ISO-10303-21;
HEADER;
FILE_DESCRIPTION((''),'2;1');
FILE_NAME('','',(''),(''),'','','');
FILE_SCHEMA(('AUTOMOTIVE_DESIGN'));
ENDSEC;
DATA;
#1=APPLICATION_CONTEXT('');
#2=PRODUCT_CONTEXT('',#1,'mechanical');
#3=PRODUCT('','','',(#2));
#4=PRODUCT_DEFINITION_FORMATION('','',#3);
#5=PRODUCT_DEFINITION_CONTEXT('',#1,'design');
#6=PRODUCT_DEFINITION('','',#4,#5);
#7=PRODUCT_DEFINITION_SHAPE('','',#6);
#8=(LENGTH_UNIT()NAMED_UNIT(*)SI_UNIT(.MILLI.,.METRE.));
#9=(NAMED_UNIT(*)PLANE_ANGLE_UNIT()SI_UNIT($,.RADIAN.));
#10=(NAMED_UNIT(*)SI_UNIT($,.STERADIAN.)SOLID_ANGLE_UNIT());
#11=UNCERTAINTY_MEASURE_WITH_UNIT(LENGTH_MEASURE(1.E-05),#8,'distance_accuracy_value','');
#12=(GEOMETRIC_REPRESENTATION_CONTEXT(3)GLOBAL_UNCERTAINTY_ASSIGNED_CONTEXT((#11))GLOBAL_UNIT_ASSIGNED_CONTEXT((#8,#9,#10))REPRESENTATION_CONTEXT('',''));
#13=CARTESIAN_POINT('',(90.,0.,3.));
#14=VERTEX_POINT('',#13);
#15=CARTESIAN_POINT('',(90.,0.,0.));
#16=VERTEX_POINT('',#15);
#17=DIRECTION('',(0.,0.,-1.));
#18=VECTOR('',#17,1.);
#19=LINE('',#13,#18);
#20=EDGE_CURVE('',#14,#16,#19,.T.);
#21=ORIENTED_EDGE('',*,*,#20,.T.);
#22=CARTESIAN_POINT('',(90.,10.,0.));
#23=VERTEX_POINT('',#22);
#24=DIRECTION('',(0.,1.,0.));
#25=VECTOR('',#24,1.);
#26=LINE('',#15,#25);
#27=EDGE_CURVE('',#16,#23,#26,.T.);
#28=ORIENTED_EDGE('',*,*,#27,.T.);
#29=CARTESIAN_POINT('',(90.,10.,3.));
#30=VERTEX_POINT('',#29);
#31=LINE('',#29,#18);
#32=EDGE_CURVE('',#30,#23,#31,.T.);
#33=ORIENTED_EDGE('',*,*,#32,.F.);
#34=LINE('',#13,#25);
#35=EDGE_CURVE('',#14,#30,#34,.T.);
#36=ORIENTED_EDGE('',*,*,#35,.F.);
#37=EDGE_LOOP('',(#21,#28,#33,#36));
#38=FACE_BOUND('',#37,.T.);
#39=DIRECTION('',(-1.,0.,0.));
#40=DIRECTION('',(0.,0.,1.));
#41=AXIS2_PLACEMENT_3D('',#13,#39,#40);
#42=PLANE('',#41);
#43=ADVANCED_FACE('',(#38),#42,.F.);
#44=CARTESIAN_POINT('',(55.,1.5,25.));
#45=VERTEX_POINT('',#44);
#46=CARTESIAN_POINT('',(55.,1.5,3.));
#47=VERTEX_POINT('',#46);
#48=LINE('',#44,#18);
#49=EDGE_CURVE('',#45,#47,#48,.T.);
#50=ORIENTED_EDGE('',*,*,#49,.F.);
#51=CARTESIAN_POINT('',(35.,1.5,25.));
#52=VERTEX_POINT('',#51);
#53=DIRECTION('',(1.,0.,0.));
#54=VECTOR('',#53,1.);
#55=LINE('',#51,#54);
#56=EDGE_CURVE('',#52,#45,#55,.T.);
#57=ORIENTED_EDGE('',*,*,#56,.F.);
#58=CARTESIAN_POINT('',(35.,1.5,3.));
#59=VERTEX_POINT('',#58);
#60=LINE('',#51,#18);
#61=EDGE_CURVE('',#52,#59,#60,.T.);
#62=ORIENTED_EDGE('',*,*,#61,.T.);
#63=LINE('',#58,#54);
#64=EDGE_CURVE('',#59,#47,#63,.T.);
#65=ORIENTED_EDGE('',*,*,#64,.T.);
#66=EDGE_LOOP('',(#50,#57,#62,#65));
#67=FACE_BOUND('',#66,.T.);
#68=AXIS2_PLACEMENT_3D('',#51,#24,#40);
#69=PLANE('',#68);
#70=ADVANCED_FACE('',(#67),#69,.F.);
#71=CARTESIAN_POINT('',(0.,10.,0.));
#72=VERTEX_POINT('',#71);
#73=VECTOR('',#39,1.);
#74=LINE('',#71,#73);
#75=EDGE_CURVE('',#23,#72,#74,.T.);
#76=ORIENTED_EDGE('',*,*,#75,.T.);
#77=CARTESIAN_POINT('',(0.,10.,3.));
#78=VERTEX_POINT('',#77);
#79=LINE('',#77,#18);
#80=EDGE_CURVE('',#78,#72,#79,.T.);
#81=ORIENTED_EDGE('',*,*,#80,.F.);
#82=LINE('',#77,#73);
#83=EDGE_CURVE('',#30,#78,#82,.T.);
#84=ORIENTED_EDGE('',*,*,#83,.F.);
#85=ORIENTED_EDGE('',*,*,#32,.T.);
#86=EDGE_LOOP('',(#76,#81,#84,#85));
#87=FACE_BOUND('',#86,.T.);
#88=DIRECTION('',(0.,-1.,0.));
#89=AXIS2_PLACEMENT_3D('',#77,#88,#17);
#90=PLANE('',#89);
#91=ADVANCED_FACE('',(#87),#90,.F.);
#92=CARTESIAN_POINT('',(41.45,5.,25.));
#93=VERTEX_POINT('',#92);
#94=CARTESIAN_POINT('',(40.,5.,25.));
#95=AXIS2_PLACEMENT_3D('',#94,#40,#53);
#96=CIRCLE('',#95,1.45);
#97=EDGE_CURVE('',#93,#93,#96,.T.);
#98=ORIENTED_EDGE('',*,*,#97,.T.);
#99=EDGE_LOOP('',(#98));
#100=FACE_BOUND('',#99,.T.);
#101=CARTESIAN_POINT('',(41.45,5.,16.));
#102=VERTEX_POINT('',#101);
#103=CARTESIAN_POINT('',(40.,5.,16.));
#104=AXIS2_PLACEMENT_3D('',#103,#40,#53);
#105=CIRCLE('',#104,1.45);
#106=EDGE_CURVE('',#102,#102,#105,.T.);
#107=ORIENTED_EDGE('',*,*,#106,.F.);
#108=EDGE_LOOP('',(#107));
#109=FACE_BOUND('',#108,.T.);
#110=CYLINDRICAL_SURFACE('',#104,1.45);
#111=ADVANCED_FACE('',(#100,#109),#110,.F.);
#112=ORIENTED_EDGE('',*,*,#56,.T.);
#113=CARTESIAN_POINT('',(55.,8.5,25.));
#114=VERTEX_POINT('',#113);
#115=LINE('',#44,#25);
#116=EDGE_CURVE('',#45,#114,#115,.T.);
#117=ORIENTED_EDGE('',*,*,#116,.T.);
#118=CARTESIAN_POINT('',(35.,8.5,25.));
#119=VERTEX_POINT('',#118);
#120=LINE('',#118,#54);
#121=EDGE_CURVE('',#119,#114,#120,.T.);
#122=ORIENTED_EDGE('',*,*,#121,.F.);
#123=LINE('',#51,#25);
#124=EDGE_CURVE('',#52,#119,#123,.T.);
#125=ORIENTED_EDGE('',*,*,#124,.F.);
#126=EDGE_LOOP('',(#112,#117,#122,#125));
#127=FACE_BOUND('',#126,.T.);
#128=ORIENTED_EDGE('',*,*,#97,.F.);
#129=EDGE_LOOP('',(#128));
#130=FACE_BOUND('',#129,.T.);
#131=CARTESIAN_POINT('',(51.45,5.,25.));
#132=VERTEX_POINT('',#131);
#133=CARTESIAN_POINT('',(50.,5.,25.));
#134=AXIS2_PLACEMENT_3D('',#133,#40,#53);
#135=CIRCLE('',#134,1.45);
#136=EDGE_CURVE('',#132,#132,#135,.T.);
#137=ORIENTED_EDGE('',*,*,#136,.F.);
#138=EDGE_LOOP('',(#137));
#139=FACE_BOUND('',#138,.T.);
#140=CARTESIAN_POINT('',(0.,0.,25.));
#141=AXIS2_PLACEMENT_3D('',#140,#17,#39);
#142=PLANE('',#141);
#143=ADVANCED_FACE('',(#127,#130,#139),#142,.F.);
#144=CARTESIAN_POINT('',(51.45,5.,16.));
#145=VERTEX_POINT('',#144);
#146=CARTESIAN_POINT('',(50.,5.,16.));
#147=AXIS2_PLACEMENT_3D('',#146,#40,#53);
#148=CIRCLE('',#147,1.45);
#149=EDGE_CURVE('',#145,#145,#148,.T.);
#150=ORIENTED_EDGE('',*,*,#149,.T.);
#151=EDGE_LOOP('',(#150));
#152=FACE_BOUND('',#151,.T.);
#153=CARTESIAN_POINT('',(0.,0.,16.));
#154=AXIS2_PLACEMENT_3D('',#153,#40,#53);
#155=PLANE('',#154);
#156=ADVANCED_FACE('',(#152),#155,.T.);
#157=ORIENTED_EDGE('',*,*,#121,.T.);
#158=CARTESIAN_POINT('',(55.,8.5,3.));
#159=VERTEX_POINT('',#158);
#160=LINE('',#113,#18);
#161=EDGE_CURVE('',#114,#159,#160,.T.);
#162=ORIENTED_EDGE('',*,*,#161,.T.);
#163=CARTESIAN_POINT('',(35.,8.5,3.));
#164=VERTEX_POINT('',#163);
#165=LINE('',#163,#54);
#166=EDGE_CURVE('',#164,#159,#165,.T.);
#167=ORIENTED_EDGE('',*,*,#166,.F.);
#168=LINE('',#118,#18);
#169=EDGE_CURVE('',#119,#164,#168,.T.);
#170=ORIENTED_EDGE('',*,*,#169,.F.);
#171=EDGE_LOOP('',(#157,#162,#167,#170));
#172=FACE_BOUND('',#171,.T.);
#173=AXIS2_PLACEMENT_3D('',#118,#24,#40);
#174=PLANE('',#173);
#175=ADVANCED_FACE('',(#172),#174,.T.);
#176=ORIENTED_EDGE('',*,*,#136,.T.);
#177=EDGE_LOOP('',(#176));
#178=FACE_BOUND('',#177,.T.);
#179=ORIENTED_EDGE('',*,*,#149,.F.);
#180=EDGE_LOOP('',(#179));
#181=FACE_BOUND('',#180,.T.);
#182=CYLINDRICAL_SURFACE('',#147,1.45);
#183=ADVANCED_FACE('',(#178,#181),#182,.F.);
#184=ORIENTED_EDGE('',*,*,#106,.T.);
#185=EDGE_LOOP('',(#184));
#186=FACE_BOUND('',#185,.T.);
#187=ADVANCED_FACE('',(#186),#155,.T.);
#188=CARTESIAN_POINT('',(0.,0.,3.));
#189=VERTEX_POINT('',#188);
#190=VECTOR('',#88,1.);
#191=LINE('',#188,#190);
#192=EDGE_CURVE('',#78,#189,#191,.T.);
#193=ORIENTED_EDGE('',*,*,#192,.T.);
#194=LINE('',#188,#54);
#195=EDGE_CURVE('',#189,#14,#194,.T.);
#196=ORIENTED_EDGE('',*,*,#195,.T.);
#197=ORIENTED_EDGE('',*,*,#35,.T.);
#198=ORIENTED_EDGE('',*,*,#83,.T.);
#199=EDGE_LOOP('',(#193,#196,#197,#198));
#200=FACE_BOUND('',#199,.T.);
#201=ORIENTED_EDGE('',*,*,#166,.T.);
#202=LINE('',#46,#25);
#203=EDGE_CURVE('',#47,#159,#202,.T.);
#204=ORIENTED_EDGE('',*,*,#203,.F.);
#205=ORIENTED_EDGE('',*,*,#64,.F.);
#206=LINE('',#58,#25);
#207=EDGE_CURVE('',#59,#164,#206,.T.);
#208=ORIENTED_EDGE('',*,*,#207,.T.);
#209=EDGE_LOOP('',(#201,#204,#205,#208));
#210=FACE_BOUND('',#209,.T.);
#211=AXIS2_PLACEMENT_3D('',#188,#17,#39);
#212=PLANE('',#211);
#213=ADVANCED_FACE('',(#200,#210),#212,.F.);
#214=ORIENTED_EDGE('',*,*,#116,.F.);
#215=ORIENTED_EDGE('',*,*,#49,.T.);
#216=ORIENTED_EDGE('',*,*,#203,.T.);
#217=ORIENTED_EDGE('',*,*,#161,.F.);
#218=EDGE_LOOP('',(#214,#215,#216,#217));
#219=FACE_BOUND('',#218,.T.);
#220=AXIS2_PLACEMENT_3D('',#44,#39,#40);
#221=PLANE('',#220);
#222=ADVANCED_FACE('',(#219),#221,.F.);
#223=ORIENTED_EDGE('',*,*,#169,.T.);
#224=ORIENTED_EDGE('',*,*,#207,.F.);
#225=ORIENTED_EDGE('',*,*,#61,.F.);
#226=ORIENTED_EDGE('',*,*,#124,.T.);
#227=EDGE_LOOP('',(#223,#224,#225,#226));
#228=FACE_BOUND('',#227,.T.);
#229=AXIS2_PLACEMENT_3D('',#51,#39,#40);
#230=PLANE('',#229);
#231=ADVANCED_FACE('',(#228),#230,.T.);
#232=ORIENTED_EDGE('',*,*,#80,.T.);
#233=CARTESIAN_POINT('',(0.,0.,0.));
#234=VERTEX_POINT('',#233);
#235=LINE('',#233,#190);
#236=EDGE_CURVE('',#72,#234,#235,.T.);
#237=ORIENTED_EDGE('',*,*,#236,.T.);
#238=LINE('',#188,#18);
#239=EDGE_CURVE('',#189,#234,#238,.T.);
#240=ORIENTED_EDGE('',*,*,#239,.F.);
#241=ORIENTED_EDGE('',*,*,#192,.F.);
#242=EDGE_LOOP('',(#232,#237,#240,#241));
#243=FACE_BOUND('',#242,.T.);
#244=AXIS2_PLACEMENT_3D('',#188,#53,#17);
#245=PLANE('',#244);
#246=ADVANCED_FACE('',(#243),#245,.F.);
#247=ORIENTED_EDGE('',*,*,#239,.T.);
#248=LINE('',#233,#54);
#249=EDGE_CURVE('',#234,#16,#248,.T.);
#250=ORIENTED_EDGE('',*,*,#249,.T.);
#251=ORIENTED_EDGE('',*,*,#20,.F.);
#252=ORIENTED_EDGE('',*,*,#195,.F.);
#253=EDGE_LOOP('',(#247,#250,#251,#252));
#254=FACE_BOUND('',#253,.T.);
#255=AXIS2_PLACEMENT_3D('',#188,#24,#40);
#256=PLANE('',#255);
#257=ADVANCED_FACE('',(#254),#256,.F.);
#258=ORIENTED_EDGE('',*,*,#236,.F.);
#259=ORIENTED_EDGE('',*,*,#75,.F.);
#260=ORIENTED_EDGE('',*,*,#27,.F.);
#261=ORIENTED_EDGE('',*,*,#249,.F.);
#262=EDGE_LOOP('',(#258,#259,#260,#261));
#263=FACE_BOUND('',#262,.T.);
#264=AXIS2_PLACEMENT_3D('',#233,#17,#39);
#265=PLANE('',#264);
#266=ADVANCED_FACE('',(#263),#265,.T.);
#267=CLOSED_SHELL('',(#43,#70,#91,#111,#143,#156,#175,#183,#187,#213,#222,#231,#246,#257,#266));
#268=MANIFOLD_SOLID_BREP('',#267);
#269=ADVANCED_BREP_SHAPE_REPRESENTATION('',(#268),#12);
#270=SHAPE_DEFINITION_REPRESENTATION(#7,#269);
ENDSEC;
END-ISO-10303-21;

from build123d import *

# Parameters (mm, degrees)
SKETCH_1_W          = 90
SKETCH_1_H          = 10
EXTRUDE_1_DEPTH     = 3
SKETCH_2_W          = 20
SKETCH_2_H          = 7
EXTRUDE_3_DEPTH     = 22
CUT_EXTRUDE_1_DEPTH = 9


with BuildPart() as part:
    # 草图1 → 凸台-拉伸1 (new body)
    with BuildSketch(Plane.XY):
        with Locations((45, 5)):
            Rectangle(SKETCH_1_W, SKETCH_1_H)
    extrude(amount=EXTRUDE_1_DEPTH)

    # 草图2 → 凸台-拉伸3 (add)
    with BuildSketch(Plane.XY.offset(3)):
        with Locations((45, 5)):
            Rectangle(SKETCH_2_W, SKETCH_2_H)
    extrude(amount=EXTRUDE_3_DEPTH)

    # 草图4 → 切除-拉伸1 (cut)
    with BuildSketch(Plane.XY.offset(25)):
        with BuildLine():
            ThreePointArc((48.55, 5), (50, 3.55), (51.45, 5))
            Line((51.45, 5), (50, 5))
            Line((50, 5), (48.55, 5))
        make_face()
        with BuildLine():
            Line((50, 5), (51.45, 5))
            ThreePointArc((51.45, 5), (50, 6.45), (48.55, 5))
            Line((48.55, 5), (50, 5))
        make_face()
        with BuildLine():
            ThreePointArc((48.55, 5), (50, 3.55), (51.45, 5))
            Line((51.45, 5), (50, 5))
            Line((50, 5), (48.55, 5))
        make_face()
        with BuildLine():
            Line((50, 5), (51.45, 5))
            ThreePointArc((51.45, 5), (50, 6.45), (48.55, 5))
            Line((48.55, 5), (50, 5))
        make_face()
        with BuildLine():
            ThreePointArc((38.55, 5), (40, 3.55), (41.45, 5))
            Line((41.45, 5), (40, 5))
            Line((40, 5), (38.55, 5))
        make_face()
        with BuildLine():
            Line((40, 5), (41.45, 5))
            ThreePointArc((41.45, 5), (40, 6.45), (38.55, 5))
            Line((38.55, 5), (40, 5))
        make_face()
        with BuildLine():
            ThreePointArc((38.55, 5), (40, 3.55), (41.45, 5))
            Line((41.45, 5), (40, 5))
            Line((40, 5), (38.55, 5))
        make_face()
        with BuildLine():
            Line((40, 5), (41.45, 5))
            ThreePointArc((41.45, 5), (40, 6.45), (38.55, 5))
            Line((38.55, 5), (40, 5))
        make_face()
    extrude(amount=-CUT_EXTRUDE_1_DEPTH, mode=Mode.SUBTRACT)


solid = part.part
